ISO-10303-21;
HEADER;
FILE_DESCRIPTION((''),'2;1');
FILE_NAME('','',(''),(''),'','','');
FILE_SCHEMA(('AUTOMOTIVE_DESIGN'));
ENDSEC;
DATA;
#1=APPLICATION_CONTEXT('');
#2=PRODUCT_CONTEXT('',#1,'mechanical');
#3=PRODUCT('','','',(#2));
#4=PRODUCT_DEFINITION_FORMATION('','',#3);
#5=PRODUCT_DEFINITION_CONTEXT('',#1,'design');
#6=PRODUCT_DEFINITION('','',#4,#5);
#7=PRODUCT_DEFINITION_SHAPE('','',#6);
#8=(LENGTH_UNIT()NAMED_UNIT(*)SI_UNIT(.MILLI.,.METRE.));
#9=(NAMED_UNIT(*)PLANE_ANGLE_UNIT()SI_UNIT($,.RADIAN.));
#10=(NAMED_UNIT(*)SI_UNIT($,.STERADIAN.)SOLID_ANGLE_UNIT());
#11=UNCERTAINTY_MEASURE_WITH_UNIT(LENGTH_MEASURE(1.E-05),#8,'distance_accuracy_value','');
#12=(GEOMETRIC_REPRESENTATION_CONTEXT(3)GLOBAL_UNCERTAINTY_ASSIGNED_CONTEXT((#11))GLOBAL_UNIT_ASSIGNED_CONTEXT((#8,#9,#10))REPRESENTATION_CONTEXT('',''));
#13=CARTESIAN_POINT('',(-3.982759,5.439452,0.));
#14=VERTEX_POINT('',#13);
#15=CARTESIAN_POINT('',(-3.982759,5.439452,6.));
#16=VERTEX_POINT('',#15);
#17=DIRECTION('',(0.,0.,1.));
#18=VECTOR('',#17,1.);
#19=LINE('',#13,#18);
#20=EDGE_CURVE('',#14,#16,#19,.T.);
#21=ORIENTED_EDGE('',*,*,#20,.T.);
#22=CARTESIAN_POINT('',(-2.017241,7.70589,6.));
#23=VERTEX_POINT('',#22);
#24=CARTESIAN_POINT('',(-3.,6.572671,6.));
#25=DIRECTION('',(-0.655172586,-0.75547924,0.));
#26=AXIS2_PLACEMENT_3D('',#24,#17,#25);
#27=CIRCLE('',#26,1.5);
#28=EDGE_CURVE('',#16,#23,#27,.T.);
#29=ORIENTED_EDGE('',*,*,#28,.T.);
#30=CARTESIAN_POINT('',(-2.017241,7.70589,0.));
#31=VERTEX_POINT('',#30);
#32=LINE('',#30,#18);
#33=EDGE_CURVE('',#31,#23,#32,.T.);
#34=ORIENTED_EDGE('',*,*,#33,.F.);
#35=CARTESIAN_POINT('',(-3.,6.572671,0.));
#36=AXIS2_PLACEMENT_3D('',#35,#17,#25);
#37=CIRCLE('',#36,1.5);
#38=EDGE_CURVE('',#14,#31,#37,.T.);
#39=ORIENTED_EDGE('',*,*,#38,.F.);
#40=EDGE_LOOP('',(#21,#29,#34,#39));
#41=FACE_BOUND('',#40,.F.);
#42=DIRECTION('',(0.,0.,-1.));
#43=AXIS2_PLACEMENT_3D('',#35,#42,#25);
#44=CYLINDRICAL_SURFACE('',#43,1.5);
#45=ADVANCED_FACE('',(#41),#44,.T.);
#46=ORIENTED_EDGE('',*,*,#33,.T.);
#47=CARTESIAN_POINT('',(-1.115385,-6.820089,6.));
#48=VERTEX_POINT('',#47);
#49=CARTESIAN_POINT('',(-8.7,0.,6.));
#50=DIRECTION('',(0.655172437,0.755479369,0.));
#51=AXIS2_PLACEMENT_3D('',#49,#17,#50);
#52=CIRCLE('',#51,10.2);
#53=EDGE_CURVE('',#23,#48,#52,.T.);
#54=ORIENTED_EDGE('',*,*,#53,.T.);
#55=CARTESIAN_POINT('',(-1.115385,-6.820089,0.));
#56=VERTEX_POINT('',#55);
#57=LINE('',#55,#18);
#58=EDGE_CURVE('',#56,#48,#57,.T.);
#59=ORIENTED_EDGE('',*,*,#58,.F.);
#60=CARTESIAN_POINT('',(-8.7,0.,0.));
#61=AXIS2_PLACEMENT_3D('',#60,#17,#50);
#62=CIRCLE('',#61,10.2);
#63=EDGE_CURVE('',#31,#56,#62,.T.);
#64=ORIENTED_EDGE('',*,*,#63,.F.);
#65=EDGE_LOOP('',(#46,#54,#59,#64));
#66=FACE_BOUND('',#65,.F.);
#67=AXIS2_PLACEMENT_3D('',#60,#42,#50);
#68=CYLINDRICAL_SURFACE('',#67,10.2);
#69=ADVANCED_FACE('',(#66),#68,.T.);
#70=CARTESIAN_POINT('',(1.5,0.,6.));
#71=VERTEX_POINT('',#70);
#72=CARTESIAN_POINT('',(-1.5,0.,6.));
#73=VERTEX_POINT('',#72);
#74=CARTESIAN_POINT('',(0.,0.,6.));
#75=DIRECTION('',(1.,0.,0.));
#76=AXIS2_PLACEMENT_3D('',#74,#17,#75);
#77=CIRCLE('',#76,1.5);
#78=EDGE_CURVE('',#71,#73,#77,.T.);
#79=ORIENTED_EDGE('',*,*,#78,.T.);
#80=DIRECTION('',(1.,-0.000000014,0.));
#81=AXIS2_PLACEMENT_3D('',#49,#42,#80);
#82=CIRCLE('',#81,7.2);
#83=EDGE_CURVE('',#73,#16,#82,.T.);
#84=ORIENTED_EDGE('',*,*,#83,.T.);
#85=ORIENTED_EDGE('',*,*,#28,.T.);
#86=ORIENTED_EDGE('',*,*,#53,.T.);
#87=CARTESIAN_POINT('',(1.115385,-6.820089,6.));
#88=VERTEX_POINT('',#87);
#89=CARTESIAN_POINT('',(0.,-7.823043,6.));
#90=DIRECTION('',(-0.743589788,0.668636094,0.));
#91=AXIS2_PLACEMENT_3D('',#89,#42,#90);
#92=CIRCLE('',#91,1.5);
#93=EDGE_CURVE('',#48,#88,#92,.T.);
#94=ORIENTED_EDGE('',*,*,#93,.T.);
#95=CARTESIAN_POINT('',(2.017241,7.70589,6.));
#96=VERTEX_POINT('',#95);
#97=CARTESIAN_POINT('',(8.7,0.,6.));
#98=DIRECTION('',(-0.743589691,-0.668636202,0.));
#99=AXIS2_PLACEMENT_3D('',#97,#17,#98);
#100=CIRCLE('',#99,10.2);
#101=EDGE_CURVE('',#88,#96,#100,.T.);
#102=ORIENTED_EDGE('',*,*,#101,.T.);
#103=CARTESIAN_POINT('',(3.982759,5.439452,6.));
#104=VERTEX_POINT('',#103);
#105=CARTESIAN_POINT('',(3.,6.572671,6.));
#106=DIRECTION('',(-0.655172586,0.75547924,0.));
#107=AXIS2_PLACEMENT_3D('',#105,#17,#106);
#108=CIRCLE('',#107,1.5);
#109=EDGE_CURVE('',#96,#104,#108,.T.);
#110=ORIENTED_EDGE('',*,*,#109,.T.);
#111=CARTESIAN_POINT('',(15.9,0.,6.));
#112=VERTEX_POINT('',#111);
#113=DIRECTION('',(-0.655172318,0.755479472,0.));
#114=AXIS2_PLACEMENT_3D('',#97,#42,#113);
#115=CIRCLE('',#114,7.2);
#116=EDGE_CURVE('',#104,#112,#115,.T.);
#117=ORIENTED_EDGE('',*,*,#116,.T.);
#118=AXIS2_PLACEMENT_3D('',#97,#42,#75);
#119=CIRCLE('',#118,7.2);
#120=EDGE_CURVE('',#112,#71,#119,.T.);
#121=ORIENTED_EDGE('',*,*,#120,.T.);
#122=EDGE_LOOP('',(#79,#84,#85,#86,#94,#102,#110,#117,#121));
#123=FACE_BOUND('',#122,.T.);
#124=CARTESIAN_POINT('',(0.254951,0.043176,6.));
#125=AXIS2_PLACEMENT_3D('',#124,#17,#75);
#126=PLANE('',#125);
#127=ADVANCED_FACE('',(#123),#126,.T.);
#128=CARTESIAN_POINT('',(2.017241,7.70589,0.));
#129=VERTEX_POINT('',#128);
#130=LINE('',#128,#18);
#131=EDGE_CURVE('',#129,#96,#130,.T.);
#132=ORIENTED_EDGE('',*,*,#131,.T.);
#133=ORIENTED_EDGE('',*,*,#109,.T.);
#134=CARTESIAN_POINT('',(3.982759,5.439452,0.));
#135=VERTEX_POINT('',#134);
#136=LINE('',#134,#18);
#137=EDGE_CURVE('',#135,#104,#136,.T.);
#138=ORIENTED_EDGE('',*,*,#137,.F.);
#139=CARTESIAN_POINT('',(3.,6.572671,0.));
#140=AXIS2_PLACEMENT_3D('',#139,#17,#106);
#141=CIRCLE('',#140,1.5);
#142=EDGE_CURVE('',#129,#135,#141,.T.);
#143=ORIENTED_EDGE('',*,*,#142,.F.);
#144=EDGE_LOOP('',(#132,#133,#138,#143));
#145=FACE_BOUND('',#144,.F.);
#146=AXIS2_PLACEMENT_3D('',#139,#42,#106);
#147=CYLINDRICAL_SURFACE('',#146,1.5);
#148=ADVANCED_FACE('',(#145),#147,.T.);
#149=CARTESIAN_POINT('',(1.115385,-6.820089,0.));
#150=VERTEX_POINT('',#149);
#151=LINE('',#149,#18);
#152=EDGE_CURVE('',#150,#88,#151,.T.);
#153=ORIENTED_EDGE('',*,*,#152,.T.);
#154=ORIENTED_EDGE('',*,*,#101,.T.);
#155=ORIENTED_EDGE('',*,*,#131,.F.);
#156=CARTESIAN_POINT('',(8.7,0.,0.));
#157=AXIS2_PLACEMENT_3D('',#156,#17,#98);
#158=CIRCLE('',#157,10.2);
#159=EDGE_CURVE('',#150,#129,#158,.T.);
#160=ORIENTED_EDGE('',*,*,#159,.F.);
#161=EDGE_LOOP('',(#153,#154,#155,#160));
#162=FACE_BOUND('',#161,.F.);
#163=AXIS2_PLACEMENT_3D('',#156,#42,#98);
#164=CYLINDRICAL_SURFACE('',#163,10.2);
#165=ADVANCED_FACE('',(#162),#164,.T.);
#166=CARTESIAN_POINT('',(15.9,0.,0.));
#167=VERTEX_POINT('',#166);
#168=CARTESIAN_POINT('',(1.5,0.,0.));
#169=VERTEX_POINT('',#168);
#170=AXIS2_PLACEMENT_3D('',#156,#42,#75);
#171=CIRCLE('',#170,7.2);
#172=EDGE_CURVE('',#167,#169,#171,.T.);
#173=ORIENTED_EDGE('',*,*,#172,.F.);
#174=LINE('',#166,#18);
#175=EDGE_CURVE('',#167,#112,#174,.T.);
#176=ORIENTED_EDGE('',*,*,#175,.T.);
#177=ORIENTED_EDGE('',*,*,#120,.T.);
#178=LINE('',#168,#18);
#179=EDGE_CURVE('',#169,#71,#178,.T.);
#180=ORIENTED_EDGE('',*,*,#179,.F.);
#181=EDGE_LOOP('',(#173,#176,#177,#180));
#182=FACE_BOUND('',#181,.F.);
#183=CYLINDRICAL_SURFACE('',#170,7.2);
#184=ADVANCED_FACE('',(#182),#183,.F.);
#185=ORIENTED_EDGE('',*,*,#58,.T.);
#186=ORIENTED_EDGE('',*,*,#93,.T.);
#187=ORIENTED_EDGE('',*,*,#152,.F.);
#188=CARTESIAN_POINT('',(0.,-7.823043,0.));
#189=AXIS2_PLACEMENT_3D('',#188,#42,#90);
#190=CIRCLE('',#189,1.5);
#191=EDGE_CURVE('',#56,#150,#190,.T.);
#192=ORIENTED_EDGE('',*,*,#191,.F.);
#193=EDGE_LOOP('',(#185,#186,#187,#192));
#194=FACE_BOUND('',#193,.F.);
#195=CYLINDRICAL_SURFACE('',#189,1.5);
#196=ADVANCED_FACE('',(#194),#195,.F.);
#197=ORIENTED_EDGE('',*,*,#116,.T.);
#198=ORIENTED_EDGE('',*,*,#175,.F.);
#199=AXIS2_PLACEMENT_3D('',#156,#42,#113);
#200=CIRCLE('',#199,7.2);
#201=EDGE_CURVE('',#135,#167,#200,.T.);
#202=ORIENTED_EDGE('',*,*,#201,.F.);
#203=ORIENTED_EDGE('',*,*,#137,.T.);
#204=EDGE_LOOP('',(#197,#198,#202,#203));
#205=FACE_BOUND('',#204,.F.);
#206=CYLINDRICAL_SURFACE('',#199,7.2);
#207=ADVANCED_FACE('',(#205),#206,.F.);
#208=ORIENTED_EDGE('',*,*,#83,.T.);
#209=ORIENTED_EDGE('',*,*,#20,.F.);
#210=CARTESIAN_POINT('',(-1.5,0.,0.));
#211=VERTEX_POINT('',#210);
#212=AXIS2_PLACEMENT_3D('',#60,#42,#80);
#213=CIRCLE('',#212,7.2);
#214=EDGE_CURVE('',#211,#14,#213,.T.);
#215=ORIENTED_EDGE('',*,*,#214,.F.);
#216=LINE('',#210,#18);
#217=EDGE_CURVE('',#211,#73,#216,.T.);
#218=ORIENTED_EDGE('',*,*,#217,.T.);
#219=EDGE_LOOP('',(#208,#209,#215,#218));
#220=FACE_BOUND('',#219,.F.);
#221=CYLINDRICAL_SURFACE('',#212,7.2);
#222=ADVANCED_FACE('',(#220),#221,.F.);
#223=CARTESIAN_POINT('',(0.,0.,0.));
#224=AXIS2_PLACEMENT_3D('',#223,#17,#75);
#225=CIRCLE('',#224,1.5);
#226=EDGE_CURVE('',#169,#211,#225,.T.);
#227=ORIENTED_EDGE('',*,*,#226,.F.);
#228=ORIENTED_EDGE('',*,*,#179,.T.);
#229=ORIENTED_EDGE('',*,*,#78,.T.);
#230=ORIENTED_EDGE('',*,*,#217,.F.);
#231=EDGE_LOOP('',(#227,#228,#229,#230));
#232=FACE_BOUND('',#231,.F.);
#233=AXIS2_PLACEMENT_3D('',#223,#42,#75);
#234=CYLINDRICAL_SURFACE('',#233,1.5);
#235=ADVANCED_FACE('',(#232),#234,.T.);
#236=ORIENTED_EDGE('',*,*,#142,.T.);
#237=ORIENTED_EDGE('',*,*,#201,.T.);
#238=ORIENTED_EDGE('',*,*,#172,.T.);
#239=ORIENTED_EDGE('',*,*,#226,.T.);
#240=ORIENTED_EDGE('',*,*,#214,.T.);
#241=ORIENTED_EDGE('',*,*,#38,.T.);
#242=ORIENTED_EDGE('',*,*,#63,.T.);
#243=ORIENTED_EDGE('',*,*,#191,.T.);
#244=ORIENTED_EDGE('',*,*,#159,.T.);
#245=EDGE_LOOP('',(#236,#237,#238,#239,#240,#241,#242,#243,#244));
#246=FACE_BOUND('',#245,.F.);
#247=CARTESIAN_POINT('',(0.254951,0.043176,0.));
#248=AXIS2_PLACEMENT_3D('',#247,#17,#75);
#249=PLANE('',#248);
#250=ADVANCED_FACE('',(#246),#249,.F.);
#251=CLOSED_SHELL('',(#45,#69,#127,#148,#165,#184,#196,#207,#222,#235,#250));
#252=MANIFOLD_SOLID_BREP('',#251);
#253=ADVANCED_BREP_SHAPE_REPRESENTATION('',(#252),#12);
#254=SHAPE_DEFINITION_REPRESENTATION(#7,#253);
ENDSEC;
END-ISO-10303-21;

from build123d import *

# Parameters (mm, degrees)
F1_DEPTH = 6


with BuildPart() as f1:
    # F0 (on Top) → F1 (new body)
    with BuildSketch(Plane.XY):
        with BuildLine():
            ThreePointArc((3.982759, 5.439452), (11.689637, 6.549967), (15.9, 0))
            ThreePointArc((15.9, 0), (8.7, -7.2), (1.5, 0))
            ThreePointArc((1.5, 0), (0, 1.5), (-1.5, 0))
            ThreePointArc((-1.5, 0), (-15.249967, -2.989637), (-3.982759, 5.439452))
            ThreePointArc((-3.982759, 5.439452), (-1.866781, 5.589912), (-2.017241, 7.70589))
            ThreePointArc((-2.017241, 7.70589), (-18.880398, -0.632058), (-1.115385, -6.820089))
            ThreePointArc((-1.115385, -6.820089), (0, -6.323043), (1.115385, -6.820089))
            ThreePointArc((1.115385, -6.820089), (18.880398, -0.632058), (2.017241, 7.70589))
            ThreePointArc((2.017241, 7.70589), (1.866781, 5.589912), (3.982759, 5.439452))
        make_face()
    extrude(amount=F1_DEPTH)


solid = f1.part
